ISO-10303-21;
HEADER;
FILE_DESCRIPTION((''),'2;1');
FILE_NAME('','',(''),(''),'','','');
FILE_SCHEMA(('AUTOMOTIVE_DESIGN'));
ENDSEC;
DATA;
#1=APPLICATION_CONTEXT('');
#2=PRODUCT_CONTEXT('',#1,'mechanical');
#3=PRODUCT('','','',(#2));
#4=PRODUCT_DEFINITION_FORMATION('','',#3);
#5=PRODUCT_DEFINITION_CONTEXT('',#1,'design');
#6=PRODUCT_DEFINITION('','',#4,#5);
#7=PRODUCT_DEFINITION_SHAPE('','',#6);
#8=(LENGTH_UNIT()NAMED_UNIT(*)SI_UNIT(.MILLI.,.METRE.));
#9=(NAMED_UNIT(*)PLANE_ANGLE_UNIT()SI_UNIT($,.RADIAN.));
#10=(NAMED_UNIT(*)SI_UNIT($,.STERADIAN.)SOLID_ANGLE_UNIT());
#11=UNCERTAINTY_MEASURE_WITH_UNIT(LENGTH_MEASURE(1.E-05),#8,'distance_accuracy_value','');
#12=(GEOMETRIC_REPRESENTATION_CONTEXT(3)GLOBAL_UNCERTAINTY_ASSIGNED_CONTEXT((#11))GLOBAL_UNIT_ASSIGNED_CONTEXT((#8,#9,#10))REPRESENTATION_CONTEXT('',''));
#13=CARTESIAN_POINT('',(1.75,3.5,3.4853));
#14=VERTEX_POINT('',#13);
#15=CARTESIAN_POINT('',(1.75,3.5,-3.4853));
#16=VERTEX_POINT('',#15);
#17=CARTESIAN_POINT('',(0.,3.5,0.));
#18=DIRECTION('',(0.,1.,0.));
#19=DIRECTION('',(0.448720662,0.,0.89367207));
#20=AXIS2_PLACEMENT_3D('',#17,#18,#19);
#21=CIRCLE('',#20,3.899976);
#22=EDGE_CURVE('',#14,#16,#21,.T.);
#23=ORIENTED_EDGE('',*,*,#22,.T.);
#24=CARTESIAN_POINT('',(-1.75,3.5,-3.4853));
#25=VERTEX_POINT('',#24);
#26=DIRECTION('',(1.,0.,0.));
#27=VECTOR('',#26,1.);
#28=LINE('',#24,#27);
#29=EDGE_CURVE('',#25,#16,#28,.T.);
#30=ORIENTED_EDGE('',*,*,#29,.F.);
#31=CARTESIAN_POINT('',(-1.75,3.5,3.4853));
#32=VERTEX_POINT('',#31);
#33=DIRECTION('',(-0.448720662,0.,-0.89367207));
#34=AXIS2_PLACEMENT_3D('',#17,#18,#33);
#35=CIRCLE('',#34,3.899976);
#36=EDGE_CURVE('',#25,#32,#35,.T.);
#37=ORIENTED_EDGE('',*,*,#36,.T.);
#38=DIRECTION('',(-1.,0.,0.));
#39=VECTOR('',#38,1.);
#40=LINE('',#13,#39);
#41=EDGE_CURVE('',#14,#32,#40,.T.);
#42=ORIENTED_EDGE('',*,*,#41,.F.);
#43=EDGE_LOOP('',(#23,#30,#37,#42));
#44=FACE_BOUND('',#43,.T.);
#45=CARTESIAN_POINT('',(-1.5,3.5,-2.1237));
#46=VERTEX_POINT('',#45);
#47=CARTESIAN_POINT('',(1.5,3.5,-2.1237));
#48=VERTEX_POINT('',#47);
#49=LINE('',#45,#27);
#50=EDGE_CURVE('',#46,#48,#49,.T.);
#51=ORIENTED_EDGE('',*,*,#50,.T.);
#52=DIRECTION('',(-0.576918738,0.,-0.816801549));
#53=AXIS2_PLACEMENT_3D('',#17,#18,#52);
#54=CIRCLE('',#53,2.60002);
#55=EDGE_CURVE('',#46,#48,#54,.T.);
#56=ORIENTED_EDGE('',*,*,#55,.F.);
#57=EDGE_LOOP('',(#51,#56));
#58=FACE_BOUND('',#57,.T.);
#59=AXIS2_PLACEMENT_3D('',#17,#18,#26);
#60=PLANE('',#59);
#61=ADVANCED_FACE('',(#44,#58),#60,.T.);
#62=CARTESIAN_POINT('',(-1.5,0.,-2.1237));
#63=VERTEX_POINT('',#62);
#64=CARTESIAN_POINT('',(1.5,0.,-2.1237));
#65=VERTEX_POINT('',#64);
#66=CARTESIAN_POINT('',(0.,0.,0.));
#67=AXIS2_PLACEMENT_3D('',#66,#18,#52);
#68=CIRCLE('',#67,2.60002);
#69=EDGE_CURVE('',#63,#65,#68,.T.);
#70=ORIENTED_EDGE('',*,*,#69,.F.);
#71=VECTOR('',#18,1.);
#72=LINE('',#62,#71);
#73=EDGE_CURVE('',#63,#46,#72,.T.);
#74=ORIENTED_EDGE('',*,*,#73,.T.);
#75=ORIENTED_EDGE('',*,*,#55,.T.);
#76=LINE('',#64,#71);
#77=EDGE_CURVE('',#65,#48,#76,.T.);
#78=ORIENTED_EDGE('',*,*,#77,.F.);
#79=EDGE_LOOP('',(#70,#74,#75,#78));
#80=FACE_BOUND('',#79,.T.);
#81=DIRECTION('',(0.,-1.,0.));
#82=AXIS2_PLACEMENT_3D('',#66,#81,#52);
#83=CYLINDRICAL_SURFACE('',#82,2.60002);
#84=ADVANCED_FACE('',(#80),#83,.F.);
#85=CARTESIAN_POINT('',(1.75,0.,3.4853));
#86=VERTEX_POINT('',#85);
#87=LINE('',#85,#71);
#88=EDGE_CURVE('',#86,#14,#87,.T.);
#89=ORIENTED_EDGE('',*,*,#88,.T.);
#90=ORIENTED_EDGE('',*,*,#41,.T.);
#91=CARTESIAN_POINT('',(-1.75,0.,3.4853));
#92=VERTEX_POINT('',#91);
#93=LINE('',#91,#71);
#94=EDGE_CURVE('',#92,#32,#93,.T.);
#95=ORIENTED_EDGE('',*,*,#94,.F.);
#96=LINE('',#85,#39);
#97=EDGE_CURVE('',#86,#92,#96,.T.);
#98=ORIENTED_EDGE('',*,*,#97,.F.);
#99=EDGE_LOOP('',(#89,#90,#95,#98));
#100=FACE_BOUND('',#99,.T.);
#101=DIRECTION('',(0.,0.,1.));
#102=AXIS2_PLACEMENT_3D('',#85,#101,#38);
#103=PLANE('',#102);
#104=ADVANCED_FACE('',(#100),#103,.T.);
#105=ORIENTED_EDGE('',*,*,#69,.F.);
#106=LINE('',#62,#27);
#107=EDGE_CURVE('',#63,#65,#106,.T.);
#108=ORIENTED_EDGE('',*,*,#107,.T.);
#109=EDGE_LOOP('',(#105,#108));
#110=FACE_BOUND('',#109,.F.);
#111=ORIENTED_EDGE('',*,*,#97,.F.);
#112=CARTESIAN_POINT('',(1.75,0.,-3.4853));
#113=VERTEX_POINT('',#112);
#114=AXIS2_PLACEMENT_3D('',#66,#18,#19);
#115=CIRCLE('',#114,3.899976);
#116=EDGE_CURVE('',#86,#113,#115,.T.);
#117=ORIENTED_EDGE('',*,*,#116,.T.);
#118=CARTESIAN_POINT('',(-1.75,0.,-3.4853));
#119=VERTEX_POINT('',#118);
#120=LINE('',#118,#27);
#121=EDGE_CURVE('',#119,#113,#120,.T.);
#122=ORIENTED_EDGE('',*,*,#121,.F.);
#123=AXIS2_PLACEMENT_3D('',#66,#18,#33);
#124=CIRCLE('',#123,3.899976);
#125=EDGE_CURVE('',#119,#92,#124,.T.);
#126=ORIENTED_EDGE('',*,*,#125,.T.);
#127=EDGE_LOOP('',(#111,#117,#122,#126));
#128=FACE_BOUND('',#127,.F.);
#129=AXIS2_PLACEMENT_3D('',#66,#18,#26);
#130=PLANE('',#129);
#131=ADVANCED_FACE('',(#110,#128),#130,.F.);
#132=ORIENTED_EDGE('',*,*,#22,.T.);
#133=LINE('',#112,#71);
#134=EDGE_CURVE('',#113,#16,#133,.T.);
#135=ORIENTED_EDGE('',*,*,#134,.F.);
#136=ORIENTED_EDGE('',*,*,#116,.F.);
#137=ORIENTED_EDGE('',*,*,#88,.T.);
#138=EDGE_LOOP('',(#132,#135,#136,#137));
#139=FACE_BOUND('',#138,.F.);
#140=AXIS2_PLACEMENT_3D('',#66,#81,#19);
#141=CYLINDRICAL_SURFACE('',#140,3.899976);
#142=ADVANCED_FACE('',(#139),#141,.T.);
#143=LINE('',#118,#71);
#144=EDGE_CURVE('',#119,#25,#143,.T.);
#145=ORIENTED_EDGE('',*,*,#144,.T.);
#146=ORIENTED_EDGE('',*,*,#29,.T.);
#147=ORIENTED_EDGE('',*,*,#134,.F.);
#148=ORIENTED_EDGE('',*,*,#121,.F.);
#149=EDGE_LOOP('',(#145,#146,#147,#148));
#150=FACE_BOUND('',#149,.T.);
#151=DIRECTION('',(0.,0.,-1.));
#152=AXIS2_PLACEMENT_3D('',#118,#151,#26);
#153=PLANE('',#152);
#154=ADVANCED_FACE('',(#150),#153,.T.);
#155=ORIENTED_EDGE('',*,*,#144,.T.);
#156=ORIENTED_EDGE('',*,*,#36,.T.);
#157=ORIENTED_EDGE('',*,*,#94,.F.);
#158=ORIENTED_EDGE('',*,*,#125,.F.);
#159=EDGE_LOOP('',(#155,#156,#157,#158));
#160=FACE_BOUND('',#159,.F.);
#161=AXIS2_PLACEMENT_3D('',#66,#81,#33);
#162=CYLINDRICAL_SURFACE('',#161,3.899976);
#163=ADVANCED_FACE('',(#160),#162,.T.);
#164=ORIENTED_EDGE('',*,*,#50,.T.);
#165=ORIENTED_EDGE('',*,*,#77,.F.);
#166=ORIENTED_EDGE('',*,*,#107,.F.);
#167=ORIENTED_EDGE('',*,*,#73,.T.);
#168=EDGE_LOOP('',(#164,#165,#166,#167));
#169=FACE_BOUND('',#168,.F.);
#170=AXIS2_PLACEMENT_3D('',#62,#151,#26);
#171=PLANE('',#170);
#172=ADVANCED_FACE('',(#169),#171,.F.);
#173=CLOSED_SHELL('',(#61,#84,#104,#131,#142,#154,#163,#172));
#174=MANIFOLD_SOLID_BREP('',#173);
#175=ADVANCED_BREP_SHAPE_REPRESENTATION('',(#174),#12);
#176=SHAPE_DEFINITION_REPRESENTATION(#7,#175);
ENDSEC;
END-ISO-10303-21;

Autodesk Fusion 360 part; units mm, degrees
sketch "Sketch1" plane through (0, 0, 0) normal (0, 1, 0) x (1, 0, 0)
  arc A0 (-1.5, 2.1237) -> (1.5, 2.1237) centre (0, 0) ccw
  line L0 (-1.5, 2.1237) -> (1.5, 2.1237)
  arc A1 (1.75, -3.4853) -> (1.75, 3.4853) centre (0, 0) ccw
  arc A2 (-1.75, 3.4853) -> (-1.75, -3.4853) centre (0, 0) ccw
  line L1 (-1.75, 3.4853) -> (1.75, 3.4853)
  line L2 (1.75, -3.4853) -> (-1.75, -3.4853)
  dimension "d1" = 2.6
  dimension "d2" = 3
  dimension "d3" = 3.9
  dimension "d4" = 3.9
  dimension "d5" = 3.5
  dimension "d6" = 3.5
extrude "Extrude1" add sketch "Sketch1" along normal blind 3.5
